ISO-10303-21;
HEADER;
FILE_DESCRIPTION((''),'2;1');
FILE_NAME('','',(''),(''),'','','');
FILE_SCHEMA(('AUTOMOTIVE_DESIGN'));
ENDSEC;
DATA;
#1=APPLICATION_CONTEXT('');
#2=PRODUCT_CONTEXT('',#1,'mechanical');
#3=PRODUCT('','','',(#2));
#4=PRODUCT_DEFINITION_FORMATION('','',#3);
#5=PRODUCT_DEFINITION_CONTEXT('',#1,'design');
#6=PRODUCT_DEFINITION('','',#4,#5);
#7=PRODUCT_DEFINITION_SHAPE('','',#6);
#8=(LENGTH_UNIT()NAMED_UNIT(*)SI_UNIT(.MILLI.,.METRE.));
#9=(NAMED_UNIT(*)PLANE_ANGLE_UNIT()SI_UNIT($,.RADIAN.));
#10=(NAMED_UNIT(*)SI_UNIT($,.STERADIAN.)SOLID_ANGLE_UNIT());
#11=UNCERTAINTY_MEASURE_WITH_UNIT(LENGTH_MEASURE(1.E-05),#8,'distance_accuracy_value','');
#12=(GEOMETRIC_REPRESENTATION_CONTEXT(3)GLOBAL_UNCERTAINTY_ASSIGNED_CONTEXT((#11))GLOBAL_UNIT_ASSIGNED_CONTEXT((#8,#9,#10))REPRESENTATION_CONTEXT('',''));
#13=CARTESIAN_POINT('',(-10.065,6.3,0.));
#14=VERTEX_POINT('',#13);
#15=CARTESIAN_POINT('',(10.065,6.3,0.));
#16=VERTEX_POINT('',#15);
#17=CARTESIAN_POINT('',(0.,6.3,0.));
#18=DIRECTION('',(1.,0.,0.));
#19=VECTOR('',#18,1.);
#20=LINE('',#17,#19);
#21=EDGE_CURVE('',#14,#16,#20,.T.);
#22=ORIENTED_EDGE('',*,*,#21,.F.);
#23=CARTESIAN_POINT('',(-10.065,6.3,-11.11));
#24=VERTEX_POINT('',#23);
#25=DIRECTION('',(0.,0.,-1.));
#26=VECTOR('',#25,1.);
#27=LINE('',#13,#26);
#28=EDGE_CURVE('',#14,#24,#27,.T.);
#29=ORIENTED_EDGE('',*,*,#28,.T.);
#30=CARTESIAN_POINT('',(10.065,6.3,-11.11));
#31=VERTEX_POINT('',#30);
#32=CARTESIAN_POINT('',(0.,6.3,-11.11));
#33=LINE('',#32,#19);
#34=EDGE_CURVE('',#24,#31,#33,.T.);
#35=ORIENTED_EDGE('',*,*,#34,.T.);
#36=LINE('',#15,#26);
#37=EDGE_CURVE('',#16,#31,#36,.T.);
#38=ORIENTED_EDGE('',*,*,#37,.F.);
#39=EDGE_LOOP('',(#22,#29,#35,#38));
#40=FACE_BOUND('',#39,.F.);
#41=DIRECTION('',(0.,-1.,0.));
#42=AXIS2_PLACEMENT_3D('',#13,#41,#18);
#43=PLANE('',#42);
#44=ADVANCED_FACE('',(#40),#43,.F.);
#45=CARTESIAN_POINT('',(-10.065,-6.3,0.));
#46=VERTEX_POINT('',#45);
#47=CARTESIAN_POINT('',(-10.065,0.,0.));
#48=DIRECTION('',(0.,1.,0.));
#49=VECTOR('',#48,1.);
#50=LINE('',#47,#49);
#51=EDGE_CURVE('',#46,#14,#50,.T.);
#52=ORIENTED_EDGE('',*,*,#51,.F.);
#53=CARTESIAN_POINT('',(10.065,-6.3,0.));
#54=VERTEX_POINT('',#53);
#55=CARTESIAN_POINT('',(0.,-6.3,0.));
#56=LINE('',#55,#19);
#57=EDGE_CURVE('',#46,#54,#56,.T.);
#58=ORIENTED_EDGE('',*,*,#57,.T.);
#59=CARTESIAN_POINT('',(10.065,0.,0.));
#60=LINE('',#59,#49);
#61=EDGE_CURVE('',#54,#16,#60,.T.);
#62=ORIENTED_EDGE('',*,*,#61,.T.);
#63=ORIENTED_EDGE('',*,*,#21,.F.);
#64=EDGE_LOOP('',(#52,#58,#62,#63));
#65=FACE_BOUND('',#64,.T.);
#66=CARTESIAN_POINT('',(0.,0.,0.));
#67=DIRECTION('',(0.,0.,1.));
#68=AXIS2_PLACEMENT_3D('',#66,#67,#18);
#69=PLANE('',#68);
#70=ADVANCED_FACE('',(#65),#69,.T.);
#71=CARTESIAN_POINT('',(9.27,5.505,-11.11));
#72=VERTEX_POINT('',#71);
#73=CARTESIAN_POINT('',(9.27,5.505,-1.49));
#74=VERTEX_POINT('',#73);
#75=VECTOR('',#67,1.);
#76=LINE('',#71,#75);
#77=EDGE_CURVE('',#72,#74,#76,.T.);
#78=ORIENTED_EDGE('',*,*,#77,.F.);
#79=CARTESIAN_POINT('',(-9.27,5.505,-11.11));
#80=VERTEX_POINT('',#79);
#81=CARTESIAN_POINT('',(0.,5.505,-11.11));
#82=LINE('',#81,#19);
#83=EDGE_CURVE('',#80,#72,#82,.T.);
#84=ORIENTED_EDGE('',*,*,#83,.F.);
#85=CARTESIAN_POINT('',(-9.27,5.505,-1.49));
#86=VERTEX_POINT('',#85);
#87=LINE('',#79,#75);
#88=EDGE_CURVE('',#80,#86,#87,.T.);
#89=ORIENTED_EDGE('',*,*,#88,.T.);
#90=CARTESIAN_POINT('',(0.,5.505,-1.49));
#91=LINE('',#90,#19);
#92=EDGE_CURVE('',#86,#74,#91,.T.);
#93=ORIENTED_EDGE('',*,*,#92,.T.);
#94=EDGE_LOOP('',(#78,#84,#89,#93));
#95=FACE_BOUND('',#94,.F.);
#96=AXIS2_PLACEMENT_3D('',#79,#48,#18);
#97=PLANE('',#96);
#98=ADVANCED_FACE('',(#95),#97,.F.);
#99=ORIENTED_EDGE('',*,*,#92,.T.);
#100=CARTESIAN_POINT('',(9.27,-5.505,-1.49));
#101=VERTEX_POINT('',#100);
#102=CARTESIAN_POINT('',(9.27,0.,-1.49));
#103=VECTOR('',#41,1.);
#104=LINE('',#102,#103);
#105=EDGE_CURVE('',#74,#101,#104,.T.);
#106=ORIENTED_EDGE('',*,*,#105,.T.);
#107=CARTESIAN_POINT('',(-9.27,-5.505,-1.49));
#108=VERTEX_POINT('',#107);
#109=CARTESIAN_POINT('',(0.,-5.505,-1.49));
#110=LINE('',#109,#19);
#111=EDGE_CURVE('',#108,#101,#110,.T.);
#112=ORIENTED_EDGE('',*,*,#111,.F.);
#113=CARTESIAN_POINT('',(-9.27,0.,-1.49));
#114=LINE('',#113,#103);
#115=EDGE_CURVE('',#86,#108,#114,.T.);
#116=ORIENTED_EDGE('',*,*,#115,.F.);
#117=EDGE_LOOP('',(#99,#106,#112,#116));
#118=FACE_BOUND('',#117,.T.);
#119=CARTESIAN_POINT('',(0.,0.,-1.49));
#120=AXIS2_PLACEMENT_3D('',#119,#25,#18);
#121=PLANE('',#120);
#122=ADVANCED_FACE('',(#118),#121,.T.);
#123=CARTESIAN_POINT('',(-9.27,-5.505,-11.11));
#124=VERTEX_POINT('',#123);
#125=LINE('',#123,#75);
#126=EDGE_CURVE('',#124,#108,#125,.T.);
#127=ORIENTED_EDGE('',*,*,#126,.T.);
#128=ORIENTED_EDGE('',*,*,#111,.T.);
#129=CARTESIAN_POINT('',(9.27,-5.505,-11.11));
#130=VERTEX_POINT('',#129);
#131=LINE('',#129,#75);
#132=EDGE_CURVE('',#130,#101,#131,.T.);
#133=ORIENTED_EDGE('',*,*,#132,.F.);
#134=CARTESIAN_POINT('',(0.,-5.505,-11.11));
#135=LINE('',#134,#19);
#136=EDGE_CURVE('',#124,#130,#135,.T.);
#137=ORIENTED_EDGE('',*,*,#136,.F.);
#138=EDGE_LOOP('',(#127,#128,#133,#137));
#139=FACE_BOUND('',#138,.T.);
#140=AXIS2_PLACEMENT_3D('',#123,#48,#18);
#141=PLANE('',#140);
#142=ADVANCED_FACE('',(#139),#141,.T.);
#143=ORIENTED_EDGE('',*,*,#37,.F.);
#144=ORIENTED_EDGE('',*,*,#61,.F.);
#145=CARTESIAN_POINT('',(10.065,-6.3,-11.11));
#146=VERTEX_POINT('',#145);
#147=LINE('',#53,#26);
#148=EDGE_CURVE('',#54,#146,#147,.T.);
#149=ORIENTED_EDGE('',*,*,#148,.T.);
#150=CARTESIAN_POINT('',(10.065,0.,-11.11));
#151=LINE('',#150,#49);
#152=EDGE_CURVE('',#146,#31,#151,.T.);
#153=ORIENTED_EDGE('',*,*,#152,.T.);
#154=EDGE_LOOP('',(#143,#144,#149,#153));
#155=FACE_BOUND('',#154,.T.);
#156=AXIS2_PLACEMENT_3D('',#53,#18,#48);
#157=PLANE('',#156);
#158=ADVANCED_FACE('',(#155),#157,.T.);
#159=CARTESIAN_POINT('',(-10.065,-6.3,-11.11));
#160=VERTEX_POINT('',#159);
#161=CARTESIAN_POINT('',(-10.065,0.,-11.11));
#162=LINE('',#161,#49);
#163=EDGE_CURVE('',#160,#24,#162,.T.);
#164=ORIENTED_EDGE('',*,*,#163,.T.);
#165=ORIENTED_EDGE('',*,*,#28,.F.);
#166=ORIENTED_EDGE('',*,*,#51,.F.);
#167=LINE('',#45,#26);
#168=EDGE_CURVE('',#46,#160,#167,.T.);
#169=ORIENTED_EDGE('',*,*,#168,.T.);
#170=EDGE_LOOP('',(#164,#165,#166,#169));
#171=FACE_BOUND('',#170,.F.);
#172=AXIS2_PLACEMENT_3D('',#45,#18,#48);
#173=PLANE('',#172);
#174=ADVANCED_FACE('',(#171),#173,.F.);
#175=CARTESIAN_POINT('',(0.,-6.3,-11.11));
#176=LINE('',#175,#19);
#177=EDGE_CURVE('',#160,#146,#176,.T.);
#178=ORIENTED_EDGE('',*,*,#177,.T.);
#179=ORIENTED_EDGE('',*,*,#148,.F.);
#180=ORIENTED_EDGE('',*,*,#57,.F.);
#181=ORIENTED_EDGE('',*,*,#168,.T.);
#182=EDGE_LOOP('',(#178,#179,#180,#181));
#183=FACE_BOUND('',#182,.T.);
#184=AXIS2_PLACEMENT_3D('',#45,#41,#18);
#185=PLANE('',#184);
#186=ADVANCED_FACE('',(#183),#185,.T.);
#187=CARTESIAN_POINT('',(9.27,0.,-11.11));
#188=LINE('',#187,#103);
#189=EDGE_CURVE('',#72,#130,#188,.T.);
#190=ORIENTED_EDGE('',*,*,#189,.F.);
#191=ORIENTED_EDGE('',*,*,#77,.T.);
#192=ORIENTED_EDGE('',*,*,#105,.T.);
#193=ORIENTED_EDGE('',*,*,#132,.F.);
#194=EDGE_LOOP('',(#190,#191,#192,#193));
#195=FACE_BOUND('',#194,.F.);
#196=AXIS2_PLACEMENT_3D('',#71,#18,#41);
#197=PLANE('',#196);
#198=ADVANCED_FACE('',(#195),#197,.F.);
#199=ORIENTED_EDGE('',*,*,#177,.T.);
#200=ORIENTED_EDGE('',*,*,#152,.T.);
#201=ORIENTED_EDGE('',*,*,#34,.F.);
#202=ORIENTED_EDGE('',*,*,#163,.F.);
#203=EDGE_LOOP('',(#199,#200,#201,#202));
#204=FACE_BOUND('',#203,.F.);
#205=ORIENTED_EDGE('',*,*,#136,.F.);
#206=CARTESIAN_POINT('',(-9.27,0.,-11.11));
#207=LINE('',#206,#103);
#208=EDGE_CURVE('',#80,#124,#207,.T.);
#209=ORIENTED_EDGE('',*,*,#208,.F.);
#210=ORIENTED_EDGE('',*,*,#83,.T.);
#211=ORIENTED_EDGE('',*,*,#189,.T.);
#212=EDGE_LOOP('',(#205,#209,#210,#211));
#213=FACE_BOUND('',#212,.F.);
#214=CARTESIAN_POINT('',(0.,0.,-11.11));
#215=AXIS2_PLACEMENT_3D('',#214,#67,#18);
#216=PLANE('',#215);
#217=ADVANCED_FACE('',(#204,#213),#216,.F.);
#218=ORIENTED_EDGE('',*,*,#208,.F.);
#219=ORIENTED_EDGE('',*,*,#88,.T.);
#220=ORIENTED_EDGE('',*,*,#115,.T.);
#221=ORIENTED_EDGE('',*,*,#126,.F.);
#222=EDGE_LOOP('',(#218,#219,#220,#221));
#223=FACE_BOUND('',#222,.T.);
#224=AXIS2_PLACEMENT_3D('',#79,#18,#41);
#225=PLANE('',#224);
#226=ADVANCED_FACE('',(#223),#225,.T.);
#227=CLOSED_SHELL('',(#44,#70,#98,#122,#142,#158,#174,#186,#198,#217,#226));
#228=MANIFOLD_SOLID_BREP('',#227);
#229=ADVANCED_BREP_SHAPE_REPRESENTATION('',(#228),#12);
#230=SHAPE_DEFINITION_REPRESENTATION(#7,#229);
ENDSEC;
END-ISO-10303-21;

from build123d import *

# Parameters (mm, degrees)
F0_W     = 20.13
F0_H     = 12.6
F1_DEPTH = 11.11
F2_W     = 18.54
F2_H     = 11.01
F3_DEPTH = 9.62


with BuildPart() as f1:
    # F0 (on Top) → F1 (new body)
    with BuildSketch(Plane.XY):
        Rectangle(F0_W, F0_H)
    extrude(amount=-F1_DEPTH)

    # F2 (on face) → F3 (cut)
    with BuildSketch(Plane(origin=(0, 0, -11.11), x_dir=(1, 0, 0), z_dir=(0, 0, -1))):
        Rectangle(F2_W, F2_H)
    extrude(amount=-F3_DEPTH, mode=Mode.SUBTRACT)


solid = f1.part
